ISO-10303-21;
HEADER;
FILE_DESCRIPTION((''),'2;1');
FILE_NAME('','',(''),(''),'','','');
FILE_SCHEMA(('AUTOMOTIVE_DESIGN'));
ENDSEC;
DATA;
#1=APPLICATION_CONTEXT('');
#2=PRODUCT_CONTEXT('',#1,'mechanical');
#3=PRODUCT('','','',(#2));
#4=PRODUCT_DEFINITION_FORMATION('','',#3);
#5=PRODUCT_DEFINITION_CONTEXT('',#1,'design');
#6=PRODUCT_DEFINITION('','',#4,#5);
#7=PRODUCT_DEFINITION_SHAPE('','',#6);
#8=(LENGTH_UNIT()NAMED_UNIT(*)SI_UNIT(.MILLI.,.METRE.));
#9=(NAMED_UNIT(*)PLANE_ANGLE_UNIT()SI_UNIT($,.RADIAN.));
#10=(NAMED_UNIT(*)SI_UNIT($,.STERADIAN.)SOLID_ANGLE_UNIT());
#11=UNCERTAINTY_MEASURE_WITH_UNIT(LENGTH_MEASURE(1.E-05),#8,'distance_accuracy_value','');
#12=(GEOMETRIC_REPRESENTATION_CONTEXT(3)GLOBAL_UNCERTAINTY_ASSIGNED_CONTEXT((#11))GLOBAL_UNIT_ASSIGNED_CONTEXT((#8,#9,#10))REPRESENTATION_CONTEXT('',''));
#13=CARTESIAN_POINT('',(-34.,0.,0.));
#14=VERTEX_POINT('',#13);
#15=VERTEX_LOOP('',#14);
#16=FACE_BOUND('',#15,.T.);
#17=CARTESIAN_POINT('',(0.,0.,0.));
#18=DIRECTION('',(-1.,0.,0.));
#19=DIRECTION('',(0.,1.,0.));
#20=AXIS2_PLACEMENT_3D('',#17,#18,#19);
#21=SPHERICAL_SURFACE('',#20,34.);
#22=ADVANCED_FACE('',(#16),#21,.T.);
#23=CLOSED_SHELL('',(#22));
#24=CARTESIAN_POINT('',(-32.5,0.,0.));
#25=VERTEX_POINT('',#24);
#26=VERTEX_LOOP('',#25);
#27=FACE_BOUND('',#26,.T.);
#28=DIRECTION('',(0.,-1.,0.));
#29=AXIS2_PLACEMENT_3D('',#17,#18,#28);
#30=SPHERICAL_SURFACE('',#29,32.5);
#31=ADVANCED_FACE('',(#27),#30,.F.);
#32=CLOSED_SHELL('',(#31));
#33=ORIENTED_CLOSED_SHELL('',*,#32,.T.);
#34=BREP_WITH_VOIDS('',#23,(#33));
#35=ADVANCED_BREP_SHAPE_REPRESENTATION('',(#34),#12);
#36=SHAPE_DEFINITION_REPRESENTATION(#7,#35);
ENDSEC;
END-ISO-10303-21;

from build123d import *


with BuildPart() as part:
    # Sketch1 → Revolve1 (revolve)
    with BuildSketch(Plane.XY):
        with BuildLine():
            Line((-34, 0), (-32.5, 0))
            ThreePointArc((-32.5, 0), (0, 32.5), (32.5, 0))
            Line((32.5, 0), (34, 0))
            ThreePointArc((34, 0), (0, 34), (-34, 0))
        make_face()
    revolve(axis=Axis((-32.5, 0, 0), (1, 0, 0)))


solid = part.part
